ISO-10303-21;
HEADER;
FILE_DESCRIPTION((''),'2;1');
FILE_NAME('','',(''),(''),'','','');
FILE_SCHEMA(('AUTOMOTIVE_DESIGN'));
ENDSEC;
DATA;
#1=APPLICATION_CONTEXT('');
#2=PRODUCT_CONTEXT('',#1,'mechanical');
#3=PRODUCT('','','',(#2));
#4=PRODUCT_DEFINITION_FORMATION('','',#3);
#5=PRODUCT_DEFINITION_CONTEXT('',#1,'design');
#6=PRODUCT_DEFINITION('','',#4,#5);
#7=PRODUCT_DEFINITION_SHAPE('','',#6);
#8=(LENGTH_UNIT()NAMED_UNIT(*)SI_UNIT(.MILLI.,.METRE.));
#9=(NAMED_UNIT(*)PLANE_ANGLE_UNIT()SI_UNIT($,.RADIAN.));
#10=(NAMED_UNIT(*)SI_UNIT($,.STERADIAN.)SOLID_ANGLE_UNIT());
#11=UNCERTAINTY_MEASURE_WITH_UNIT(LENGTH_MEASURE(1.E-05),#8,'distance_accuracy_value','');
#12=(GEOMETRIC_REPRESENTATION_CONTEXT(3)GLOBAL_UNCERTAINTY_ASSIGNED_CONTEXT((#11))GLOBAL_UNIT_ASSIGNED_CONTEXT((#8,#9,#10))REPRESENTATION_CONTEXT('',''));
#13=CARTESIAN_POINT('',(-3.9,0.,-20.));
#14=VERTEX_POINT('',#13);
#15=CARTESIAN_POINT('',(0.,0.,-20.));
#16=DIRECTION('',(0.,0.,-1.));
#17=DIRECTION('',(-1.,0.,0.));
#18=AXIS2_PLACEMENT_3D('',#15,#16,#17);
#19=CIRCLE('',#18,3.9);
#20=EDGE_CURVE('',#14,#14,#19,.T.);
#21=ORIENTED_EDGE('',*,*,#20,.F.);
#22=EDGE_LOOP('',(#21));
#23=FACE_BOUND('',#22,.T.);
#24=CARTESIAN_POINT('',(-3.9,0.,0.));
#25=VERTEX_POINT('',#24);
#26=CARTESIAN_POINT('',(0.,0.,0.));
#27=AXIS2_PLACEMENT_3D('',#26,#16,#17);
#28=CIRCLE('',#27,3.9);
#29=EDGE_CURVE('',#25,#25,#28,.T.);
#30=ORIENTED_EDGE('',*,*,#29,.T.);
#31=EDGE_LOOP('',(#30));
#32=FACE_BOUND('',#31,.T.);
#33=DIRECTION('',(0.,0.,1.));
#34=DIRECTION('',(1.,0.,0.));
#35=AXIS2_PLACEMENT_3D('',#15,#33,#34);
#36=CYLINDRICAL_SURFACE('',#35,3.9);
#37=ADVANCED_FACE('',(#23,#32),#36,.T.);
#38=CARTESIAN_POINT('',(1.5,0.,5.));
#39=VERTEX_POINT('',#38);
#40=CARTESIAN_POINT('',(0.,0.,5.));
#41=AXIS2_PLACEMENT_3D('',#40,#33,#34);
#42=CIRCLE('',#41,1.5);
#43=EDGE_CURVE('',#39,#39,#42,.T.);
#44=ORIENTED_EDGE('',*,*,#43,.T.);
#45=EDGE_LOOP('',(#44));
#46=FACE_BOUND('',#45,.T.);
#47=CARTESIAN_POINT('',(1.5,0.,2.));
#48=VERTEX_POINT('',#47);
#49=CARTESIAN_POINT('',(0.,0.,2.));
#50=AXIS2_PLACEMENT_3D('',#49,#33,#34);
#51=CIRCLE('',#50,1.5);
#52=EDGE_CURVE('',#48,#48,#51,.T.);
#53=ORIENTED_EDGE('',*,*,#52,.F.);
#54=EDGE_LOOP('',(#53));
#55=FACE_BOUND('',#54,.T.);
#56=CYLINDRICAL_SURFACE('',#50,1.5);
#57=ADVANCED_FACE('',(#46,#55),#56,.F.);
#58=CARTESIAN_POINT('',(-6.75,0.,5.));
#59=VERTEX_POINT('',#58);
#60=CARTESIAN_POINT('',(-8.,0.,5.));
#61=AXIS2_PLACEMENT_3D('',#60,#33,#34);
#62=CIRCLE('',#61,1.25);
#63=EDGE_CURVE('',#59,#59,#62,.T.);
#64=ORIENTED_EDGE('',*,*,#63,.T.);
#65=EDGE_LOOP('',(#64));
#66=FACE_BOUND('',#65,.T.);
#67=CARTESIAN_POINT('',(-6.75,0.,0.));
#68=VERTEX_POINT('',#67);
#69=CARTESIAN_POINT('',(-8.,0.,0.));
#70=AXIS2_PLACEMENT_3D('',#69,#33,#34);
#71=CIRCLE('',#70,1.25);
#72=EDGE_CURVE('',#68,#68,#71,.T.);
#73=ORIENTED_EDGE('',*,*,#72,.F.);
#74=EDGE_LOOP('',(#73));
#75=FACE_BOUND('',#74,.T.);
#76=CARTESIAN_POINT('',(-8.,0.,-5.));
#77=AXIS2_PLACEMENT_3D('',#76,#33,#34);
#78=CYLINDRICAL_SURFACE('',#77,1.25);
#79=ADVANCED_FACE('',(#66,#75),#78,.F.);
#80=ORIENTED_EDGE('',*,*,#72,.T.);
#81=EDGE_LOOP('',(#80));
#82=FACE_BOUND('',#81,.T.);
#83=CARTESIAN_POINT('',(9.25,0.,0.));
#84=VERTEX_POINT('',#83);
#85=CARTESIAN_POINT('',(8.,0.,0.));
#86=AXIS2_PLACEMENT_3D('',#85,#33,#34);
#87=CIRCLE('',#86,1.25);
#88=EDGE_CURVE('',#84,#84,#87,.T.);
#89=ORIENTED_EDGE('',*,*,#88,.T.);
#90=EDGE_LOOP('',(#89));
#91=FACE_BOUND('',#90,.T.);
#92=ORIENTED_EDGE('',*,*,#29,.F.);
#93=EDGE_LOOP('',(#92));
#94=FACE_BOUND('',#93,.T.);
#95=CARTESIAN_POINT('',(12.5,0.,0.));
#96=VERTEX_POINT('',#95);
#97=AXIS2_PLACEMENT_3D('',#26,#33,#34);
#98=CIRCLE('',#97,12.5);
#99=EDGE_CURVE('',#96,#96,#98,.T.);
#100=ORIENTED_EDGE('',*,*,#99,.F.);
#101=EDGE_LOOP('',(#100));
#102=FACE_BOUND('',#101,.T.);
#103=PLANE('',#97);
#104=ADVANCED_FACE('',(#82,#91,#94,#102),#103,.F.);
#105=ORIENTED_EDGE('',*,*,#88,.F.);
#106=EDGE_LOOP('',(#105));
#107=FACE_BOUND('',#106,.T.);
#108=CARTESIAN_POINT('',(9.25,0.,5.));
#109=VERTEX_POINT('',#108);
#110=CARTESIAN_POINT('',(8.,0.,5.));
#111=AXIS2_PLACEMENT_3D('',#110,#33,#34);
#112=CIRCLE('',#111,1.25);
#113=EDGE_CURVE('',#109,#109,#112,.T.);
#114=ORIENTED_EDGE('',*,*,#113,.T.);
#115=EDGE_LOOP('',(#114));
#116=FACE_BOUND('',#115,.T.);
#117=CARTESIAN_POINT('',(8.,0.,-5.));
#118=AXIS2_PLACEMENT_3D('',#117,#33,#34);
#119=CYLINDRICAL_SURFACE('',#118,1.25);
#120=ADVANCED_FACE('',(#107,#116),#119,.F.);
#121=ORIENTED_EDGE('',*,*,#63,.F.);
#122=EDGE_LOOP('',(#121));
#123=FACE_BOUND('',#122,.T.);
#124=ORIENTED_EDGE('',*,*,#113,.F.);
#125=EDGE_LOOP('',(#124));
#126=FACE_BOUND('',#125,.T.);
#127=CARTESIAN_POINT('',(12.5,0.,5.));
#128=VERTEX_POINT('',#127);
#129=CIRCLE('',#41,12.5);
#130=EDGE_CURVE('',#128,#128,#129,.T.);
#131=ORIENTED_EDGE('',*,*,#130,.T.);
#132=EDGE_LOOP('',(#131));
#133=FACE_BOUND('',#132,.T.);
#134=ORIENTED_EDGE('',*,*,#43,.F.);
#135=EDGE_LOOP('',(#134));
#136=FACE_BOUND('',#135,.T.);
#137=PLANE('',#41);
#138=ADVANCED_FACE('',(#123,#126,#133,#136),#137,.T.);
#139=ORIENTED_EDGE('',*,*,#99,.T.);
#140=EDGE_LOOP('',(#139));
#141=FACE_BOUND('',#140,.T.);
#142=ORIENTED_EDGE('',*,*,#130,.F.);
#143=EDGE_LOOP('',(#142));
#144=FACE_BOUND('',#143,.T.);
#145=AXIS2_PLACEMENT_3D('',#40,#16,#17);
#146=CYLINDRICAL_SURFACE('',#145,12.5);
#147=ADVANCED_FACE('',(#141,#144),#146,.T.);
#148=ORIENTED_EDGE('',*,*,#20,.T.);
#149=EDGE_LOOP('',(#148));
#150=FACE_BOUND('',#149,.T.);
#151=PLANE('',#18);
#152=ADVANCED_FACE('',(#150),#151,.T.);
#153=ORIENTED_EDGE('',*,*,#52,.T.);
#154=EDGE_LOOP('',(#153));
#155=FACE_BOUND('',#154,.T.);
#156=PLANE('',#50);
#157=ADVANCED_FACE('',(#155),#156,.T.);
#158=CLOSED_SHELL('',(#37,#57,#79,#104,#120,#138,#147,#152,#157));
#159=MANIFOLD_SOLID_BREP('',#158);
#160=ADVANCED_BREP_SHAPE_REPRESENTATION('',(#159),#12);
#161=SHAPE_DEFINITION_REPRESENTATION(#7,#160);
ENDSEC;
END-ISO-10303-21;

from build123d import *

# Parameters (mm, degrees)
SKETCH1_R           = 12.5
BOSS_EXTRUDE1_DEPTH = 5
SKETCH2_R           = 3.9
BOSS_EXTRUDE2_DEPTH = 20
SKETCH3_R           = 1.5
CUT_EXTRUDE1_DEPTH  = 3
SKETCH4_R           = 1.25
CUT_EXTRUDE2_DEPTH  = 10


with BuildPart() as part:
    # Sketch1 → Boss-Extrude1 (new body)
    with BuildSketch(Plane.XY):
        Circle(SKETCH1_R)
    extrude(amount=BOSS_EXTRUDE1_DEPTH)

    # Sketch2 → Boss-Extrude2 (add)
    with BuildSketch(Plane(origin=(0, 0, 0), x_dir=(-1, 0, 0), z_dir=(0, 0, -1))):
        Circle(SKETCH2_R)
    extrude(amount=BOSS_EXTRUDE2_DEPTH)

    # Sketch3 → Cut-Extrude1 (cut)
    with BuildSketch(Plane.XY.offset(5)):
        Circle(SKETCH3_R)
    extrude(amount=-CUT_EXTRUDE1_DEPTH, mode=Mode.SUBTRACT)

    # Sketch4 → Cut-Extrude2 (cut)
    with BuildSketch(Plane.XY.offset(5)):
        with Locations((8, 0)):
            Circle(SKETCH4_R)
        with Locations((-8, 0)):
            Circle(SKETCH4_R)
    extrude(amount=-CUT_EXTRUDE2_DEPTH, mode=Mode.SUBTRACT)


solid = part.part
